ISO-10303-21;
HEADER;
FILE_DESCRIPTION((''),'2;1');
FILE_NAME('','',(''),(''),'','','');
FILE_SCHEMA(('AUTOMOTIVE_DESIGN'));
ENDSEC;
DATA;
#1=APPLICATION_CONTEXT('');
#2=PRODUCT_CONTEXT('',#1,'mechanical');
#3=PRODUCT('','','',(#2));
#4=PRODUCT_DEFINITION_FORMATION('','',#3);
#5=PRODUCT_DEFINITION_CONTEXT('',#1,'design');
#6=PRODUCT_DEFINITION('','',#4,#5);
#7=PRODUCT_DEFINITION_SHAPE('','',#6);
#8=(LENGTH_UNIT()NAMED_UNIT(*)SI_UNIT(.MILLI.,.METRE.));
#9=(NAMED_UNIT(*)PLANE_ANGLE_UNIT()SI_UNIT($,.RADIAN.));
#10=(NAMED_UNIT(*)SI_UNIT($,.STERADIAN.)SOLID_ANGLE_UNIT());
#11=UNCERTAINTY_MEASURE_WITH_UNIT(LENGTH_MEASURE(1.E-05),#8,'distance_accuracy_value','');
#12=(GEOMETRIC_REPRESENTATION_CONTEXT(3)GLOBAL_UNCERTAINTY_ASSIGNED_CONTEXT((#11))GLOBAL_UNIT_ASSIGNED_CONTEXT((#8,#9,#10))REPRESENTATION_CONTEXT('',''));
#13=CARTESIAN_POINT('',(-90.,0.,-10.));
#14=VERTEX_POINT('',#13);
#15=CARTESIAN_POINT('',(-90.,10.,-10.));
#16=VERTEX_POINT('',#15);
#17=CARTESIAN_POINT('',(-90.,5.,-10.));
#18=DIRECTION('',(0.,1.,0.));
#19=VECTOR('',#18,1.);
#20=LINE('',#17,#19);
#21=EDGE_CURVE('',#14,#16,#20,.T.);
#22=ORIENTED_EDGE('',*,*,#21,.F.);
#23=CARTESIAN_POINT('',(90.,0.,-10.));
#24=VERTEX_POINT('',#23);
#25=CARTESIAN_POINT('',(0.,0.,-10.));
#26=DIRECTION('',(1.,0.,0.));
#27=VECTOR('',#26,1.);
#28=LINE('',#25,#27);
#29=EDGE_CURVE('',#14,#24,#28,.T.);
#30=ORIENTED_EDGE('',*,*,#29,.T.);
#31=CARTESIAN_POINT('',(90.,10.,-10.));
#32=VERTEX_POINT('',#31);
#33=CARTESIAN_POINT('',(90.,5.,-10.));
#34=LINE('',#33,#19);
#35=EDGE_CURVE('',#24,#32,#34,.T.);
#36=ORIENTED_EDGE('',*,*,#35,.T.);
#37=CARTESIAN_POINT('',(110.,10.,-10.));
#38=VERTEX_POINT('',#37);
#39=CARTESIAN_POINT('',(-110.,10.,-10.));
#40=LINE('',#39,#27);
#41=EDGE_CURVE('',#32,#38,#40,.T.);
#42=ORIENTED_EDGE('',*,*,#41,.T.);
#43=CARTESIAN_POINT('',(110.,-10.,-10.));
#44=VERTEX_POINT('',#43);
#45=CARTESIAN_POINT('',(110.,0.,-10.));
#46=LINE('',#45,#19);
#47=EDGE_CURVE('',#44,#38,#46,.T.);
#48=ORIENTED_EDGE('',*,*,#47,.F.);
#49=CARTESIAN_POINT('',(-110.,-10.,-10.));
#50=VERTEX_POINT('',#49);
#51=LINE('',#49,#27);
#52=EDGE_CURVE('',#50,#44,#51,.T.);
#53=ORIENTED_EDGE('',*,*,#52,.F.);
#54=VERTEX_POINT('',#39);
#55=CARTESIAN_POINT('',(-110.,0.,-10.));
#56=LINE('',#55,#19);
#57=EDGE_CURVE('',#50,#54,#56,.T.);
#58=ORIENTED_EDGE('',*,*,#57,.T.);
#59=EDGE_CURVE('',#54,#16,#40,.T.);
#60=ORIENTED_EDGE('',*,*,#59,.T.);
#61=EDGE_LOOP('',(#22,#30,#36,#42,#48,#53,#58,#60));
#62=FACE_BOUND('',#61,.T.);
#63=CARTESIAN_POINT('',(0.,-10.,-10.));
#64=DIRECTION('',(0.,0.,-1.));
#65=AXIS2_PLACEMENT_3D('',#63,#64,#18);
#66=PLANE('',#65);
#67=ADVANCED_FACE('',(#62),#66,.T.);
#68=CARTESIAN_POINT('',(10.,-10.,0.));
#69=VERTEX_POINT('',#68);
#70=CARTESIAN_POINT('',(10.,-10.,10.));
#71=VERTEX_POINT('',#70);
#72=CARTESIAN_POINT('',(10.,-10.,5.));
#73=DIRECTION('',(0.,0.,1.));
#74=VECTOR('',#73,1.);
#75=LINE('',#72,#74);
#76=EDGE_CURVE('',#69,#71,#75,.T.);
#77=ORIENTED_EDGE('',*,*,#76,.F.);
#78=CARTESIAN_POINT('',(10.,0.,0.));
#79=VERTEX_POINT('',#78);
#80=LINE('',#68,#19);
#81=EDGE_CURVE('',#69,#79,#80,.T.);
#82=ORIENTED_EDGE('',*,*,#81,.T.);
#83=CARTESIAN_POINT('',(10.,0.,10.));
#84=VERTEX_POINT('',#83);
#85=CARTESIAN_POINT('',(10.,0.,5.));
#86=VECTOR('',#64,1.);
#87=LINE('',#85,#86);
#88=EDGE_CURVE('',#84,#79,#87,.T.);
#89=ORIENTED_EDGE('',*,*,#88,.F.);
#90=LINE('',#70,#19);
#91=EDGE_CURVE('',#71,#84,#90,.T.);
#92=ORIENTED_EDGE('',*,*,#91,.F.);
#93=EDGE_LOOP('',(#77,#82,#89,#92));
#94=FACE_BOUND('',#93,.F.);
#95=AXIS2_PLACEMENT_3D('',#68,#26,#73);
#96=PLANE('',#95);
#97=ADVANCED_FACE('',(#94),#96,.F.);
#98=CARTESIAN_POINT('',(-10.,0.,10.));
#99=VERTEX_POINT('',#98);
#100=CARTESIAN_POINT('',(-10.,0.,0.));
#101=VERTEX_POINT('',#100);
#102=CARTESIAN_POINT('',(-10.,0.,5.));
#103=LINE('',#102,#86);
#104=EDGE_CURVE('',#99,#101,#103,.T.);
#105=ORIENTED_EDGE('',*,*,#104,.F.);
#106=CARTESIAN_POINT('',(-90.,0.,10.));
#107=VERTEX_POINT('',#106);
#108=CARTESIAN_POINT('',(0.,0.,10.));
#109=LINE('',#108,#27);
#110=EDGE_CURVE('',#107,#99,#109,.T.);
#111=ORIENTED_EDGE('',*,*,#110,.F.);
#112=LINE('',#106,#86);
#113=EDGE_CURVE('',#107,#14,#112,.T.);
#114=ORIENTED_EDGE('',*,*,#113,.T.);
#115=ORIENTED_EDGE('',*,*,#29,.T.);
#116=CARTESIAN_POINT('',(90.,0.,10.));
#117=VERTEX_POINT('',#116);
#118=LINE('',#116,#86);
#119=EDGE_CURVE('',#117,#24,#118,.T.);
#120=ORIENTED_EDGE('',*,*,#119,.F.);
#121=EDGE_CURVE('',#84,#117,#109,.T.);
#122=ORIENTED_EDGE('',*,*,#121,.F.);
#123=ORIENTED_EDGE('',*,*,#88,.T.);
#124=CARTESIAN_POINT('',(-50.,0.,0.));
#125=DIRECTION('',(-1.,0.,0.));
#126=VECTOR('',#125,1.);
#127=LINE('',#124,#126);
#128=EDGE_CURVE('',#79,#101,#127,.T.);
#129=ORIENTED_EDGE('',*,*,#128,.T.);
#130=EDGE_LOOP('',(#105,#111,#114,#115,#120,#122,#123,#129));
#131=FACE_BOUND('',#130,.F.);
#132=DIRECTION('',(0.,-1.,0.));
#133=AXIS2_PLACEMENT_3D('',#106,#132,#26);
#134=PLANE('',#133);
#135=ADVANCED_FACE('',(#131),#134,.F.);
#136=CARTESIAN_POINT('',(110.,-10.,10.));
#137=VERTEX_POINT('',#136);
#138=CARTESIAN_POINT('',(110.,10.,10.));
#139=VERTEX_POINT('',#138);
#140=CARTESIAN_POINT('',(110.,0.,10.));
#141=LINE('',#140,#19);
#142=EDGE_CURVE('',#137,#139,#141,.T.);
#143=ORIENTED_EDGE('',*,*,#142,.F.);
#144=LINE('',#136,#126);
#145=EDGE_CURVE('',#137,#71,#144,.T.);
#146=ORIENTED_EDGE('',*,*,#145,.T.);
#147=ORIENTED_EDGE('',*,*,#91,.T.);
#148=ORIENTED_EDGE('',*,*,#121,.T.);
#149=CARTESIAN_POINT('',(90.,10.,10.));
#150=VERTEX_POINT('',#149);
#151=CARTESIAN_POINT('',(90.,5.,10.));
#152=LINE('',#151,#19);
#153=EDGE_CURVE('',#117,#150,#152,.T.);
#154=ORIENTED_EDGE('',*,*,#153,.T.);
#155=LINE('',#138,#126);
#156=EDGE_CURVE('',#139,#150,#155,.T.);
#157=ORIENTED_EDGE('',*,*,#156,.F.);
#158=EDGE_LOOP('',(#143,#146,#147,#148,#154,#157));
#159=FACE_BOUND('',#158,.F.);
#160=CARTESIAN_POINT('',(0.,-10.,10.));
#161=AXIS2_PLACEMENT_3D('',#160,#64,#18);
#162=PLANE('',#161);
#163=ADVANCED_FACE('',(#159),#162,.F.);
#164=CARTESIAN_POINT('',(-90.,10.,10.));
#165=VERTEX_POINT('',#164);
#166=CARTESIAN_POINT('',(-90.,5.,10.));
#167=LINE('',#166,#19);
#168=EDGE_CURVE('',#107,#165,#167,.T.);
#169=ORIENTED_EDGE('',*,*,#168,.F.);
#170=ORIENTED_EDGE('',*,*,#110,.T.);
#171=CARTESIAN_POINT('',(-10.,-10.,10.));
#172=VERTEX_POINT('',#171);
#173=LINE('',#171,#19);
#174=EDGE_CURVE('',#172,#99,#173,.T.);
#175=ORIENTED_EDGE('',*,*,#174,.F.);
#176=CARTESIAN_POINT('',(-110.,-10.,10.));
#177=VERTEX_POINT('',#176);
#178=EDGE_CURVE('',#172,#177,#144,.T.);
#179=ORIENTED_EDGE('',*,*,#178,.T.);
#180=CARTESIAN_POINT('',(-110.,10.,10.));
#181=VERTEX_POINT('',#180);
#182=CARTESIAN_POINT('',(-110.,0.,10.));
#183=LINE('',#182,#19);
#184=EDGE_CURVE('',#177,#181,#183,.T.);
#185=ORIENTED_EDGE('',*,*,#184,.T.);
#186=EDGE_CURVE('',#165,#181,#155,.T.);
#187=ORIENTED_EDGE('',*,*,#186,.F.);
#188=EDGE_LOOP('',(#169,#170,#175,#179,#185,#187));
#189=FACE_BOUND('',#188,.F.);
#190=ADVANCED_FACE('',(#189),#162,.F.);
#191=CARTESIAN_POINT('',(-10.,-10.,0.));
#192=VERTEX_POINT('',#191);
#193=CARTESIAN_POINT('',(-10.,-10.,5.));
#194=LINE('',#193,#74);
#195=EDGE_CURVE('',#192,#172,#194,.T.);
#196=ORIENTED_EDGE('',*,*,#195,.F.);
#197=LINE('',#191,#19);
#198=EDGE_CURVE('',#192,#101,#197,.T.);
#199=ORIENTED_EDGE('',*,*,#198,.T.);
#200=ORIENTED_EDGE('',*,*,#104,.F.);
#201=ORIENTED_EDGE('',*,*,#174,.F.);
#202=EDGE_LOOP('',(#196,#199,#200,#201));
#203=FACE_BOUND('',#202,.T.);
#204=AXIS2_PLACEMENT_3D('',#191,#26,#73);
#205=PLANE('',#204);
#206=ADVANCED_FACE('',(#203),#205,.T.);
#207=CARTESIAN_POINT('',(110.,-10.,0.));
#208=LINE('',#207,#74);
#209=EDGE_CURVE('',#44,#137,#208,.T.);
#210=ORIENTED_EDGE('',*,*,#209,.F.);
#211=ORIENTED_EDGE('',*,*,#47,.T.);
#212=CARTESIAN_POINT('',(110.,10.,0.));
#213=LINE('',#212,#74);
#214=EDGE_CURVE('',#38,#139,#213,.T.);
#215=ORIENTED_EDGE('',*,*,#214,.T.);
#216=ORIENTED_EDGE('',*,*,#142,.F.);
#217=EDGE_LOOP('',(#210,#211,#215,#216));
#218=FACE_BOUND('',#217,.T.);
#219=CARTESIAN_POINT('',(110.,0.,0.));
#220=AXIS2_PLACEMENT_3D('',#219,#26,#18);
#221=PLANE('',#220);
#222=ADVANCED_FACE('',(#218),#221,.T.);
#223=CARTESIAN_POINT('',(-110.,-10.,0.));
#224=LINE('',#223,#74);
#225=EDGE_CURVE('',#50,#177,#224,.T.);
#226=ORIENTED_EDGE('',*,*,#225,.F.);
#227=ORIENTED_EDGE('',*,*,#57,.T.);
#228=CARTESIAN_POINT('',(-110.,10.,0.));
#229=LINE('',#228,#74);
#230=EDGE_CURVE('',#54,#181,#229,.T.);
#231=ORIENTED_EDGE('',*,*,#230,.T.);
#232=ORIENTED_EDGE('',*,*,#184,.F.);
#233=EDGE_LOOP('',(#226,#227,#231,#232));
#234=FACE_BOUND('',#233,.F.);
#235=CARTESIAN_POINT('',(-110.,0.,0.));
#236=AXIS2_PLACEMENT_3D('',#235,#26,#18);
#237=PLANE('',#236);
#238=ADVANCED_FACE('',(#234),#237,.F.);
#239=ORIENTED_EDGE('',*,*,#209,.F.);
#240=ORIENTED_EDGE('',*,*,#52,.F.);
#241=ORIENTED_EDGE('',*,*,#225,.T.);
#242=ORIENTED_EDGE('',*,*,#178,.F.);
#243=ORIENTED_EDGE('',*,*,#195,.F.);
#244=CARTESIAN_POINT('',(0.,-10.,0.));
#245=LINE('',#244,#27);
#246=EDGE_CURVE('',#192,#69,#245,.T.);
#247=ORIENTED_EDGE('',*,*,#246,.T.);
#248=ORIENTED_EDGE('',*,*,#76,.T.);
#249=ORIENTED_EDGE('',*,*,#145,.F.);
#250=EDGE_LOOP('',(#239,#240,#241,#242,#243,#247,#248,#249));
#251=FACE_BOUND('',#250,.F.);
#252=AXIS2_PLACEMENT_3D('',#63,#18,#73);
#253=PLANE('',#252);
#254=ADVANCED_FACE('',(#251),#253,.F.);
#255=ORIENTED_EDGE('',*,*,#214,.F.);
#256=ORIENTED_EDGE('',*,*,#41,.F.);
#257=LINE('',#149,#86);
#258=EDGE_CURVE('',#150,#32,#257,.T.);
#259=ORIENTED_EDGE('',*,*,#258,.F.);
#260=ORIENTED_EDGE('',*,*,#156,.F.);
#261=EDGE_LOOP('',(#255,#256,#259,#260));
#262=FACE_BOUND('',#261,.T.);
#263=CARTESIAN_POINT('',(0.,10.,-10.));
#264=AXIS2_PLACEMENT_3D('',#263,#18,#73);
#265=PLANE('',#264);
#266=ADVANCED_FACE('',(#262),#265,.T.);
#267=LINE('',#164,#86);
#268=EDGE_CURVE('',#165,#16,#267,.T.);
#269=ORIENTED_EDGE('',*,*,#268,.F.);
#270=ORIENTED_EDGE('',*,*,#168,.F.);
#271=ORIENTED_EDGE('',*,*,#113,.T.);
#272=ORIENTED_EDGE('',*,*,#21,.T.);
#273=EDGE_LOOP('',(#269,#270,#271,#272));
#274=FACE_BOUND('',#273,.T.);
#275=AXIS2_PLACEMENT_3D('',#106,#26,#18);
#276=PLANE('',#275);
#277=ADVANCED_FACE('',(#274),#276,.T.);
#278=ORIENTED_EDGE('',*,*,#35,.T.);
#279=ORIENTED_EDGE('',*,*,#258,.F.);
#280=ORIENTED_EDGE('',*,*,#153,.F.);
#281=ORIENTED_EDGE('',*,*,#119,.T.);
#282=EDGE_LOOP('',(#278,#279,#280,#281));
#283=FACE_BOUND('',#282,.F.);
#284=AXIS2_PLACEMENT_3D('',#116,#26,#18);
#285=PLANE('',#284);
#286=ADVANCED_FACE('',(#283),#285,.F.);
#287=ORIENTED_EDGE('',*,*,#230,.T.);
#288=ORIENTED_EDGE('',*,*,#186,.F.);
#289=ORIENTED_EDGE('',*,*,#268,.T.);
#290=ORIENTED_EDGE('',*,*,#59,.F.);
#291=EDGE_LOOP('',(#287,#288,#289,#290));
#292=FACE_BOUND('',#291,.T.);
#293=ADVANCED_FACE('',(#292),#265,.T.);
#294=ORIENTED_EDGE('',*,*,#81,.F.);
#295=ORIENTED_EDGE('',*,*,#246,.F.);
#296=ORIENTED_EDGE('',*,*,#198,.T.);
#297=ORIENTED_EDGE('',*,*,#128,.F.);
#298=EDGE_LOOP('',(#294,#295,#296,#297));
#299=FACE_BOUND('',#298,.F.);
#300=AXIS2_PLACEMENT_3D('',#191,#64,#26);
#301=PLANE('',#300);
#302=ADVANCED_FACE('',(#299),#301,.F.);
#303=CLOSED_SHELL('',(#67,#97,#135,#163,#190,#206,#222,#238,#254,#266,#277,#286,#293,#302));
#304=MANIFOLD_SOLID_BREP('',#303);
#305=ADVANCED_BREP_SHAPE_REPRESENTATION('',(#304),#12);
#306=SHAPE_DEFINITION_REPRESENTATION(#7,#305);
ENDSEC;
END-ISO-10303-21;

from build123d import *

# Parameters (mm, degrees)
F0_W     = 20
F0_H     = 20
F1_DEPTH = 110
F2_W     = 20
F2_H     = 10
F3_DEPTH = 20
F4_W     = 180
F4_H     = 10
F5_DEPTH = 20


with BuildPart() as f1:
    # F0 (on Right) → F1 (new body, symmetric)
    with BuildSketch(Plane.YZ):
        Rectangle(F0_W, F0_H)
    extrude(amount=F1_DEPTH, both=True)

    # F2 (on face) → F3 (cut)
    with BuildSketch(Plane.XZ.offset(10)):
        with Locations((0, 5)):
            Rectangle(F2_W, F2_H)
    extrude(amount=-F3_DEPTH, mode=Mode.SUBTRACT)

    # F4 (on face) → F5 (cut)
    with BuildSketch(Plane.XY.offset(10)):
        with Locations((0, 5)):
            Rectangle(F4_W, F4_H)
    extrude(amount=-F5_DEPTH, mode=Mode.SUBTRACT)


solid = f1.part
